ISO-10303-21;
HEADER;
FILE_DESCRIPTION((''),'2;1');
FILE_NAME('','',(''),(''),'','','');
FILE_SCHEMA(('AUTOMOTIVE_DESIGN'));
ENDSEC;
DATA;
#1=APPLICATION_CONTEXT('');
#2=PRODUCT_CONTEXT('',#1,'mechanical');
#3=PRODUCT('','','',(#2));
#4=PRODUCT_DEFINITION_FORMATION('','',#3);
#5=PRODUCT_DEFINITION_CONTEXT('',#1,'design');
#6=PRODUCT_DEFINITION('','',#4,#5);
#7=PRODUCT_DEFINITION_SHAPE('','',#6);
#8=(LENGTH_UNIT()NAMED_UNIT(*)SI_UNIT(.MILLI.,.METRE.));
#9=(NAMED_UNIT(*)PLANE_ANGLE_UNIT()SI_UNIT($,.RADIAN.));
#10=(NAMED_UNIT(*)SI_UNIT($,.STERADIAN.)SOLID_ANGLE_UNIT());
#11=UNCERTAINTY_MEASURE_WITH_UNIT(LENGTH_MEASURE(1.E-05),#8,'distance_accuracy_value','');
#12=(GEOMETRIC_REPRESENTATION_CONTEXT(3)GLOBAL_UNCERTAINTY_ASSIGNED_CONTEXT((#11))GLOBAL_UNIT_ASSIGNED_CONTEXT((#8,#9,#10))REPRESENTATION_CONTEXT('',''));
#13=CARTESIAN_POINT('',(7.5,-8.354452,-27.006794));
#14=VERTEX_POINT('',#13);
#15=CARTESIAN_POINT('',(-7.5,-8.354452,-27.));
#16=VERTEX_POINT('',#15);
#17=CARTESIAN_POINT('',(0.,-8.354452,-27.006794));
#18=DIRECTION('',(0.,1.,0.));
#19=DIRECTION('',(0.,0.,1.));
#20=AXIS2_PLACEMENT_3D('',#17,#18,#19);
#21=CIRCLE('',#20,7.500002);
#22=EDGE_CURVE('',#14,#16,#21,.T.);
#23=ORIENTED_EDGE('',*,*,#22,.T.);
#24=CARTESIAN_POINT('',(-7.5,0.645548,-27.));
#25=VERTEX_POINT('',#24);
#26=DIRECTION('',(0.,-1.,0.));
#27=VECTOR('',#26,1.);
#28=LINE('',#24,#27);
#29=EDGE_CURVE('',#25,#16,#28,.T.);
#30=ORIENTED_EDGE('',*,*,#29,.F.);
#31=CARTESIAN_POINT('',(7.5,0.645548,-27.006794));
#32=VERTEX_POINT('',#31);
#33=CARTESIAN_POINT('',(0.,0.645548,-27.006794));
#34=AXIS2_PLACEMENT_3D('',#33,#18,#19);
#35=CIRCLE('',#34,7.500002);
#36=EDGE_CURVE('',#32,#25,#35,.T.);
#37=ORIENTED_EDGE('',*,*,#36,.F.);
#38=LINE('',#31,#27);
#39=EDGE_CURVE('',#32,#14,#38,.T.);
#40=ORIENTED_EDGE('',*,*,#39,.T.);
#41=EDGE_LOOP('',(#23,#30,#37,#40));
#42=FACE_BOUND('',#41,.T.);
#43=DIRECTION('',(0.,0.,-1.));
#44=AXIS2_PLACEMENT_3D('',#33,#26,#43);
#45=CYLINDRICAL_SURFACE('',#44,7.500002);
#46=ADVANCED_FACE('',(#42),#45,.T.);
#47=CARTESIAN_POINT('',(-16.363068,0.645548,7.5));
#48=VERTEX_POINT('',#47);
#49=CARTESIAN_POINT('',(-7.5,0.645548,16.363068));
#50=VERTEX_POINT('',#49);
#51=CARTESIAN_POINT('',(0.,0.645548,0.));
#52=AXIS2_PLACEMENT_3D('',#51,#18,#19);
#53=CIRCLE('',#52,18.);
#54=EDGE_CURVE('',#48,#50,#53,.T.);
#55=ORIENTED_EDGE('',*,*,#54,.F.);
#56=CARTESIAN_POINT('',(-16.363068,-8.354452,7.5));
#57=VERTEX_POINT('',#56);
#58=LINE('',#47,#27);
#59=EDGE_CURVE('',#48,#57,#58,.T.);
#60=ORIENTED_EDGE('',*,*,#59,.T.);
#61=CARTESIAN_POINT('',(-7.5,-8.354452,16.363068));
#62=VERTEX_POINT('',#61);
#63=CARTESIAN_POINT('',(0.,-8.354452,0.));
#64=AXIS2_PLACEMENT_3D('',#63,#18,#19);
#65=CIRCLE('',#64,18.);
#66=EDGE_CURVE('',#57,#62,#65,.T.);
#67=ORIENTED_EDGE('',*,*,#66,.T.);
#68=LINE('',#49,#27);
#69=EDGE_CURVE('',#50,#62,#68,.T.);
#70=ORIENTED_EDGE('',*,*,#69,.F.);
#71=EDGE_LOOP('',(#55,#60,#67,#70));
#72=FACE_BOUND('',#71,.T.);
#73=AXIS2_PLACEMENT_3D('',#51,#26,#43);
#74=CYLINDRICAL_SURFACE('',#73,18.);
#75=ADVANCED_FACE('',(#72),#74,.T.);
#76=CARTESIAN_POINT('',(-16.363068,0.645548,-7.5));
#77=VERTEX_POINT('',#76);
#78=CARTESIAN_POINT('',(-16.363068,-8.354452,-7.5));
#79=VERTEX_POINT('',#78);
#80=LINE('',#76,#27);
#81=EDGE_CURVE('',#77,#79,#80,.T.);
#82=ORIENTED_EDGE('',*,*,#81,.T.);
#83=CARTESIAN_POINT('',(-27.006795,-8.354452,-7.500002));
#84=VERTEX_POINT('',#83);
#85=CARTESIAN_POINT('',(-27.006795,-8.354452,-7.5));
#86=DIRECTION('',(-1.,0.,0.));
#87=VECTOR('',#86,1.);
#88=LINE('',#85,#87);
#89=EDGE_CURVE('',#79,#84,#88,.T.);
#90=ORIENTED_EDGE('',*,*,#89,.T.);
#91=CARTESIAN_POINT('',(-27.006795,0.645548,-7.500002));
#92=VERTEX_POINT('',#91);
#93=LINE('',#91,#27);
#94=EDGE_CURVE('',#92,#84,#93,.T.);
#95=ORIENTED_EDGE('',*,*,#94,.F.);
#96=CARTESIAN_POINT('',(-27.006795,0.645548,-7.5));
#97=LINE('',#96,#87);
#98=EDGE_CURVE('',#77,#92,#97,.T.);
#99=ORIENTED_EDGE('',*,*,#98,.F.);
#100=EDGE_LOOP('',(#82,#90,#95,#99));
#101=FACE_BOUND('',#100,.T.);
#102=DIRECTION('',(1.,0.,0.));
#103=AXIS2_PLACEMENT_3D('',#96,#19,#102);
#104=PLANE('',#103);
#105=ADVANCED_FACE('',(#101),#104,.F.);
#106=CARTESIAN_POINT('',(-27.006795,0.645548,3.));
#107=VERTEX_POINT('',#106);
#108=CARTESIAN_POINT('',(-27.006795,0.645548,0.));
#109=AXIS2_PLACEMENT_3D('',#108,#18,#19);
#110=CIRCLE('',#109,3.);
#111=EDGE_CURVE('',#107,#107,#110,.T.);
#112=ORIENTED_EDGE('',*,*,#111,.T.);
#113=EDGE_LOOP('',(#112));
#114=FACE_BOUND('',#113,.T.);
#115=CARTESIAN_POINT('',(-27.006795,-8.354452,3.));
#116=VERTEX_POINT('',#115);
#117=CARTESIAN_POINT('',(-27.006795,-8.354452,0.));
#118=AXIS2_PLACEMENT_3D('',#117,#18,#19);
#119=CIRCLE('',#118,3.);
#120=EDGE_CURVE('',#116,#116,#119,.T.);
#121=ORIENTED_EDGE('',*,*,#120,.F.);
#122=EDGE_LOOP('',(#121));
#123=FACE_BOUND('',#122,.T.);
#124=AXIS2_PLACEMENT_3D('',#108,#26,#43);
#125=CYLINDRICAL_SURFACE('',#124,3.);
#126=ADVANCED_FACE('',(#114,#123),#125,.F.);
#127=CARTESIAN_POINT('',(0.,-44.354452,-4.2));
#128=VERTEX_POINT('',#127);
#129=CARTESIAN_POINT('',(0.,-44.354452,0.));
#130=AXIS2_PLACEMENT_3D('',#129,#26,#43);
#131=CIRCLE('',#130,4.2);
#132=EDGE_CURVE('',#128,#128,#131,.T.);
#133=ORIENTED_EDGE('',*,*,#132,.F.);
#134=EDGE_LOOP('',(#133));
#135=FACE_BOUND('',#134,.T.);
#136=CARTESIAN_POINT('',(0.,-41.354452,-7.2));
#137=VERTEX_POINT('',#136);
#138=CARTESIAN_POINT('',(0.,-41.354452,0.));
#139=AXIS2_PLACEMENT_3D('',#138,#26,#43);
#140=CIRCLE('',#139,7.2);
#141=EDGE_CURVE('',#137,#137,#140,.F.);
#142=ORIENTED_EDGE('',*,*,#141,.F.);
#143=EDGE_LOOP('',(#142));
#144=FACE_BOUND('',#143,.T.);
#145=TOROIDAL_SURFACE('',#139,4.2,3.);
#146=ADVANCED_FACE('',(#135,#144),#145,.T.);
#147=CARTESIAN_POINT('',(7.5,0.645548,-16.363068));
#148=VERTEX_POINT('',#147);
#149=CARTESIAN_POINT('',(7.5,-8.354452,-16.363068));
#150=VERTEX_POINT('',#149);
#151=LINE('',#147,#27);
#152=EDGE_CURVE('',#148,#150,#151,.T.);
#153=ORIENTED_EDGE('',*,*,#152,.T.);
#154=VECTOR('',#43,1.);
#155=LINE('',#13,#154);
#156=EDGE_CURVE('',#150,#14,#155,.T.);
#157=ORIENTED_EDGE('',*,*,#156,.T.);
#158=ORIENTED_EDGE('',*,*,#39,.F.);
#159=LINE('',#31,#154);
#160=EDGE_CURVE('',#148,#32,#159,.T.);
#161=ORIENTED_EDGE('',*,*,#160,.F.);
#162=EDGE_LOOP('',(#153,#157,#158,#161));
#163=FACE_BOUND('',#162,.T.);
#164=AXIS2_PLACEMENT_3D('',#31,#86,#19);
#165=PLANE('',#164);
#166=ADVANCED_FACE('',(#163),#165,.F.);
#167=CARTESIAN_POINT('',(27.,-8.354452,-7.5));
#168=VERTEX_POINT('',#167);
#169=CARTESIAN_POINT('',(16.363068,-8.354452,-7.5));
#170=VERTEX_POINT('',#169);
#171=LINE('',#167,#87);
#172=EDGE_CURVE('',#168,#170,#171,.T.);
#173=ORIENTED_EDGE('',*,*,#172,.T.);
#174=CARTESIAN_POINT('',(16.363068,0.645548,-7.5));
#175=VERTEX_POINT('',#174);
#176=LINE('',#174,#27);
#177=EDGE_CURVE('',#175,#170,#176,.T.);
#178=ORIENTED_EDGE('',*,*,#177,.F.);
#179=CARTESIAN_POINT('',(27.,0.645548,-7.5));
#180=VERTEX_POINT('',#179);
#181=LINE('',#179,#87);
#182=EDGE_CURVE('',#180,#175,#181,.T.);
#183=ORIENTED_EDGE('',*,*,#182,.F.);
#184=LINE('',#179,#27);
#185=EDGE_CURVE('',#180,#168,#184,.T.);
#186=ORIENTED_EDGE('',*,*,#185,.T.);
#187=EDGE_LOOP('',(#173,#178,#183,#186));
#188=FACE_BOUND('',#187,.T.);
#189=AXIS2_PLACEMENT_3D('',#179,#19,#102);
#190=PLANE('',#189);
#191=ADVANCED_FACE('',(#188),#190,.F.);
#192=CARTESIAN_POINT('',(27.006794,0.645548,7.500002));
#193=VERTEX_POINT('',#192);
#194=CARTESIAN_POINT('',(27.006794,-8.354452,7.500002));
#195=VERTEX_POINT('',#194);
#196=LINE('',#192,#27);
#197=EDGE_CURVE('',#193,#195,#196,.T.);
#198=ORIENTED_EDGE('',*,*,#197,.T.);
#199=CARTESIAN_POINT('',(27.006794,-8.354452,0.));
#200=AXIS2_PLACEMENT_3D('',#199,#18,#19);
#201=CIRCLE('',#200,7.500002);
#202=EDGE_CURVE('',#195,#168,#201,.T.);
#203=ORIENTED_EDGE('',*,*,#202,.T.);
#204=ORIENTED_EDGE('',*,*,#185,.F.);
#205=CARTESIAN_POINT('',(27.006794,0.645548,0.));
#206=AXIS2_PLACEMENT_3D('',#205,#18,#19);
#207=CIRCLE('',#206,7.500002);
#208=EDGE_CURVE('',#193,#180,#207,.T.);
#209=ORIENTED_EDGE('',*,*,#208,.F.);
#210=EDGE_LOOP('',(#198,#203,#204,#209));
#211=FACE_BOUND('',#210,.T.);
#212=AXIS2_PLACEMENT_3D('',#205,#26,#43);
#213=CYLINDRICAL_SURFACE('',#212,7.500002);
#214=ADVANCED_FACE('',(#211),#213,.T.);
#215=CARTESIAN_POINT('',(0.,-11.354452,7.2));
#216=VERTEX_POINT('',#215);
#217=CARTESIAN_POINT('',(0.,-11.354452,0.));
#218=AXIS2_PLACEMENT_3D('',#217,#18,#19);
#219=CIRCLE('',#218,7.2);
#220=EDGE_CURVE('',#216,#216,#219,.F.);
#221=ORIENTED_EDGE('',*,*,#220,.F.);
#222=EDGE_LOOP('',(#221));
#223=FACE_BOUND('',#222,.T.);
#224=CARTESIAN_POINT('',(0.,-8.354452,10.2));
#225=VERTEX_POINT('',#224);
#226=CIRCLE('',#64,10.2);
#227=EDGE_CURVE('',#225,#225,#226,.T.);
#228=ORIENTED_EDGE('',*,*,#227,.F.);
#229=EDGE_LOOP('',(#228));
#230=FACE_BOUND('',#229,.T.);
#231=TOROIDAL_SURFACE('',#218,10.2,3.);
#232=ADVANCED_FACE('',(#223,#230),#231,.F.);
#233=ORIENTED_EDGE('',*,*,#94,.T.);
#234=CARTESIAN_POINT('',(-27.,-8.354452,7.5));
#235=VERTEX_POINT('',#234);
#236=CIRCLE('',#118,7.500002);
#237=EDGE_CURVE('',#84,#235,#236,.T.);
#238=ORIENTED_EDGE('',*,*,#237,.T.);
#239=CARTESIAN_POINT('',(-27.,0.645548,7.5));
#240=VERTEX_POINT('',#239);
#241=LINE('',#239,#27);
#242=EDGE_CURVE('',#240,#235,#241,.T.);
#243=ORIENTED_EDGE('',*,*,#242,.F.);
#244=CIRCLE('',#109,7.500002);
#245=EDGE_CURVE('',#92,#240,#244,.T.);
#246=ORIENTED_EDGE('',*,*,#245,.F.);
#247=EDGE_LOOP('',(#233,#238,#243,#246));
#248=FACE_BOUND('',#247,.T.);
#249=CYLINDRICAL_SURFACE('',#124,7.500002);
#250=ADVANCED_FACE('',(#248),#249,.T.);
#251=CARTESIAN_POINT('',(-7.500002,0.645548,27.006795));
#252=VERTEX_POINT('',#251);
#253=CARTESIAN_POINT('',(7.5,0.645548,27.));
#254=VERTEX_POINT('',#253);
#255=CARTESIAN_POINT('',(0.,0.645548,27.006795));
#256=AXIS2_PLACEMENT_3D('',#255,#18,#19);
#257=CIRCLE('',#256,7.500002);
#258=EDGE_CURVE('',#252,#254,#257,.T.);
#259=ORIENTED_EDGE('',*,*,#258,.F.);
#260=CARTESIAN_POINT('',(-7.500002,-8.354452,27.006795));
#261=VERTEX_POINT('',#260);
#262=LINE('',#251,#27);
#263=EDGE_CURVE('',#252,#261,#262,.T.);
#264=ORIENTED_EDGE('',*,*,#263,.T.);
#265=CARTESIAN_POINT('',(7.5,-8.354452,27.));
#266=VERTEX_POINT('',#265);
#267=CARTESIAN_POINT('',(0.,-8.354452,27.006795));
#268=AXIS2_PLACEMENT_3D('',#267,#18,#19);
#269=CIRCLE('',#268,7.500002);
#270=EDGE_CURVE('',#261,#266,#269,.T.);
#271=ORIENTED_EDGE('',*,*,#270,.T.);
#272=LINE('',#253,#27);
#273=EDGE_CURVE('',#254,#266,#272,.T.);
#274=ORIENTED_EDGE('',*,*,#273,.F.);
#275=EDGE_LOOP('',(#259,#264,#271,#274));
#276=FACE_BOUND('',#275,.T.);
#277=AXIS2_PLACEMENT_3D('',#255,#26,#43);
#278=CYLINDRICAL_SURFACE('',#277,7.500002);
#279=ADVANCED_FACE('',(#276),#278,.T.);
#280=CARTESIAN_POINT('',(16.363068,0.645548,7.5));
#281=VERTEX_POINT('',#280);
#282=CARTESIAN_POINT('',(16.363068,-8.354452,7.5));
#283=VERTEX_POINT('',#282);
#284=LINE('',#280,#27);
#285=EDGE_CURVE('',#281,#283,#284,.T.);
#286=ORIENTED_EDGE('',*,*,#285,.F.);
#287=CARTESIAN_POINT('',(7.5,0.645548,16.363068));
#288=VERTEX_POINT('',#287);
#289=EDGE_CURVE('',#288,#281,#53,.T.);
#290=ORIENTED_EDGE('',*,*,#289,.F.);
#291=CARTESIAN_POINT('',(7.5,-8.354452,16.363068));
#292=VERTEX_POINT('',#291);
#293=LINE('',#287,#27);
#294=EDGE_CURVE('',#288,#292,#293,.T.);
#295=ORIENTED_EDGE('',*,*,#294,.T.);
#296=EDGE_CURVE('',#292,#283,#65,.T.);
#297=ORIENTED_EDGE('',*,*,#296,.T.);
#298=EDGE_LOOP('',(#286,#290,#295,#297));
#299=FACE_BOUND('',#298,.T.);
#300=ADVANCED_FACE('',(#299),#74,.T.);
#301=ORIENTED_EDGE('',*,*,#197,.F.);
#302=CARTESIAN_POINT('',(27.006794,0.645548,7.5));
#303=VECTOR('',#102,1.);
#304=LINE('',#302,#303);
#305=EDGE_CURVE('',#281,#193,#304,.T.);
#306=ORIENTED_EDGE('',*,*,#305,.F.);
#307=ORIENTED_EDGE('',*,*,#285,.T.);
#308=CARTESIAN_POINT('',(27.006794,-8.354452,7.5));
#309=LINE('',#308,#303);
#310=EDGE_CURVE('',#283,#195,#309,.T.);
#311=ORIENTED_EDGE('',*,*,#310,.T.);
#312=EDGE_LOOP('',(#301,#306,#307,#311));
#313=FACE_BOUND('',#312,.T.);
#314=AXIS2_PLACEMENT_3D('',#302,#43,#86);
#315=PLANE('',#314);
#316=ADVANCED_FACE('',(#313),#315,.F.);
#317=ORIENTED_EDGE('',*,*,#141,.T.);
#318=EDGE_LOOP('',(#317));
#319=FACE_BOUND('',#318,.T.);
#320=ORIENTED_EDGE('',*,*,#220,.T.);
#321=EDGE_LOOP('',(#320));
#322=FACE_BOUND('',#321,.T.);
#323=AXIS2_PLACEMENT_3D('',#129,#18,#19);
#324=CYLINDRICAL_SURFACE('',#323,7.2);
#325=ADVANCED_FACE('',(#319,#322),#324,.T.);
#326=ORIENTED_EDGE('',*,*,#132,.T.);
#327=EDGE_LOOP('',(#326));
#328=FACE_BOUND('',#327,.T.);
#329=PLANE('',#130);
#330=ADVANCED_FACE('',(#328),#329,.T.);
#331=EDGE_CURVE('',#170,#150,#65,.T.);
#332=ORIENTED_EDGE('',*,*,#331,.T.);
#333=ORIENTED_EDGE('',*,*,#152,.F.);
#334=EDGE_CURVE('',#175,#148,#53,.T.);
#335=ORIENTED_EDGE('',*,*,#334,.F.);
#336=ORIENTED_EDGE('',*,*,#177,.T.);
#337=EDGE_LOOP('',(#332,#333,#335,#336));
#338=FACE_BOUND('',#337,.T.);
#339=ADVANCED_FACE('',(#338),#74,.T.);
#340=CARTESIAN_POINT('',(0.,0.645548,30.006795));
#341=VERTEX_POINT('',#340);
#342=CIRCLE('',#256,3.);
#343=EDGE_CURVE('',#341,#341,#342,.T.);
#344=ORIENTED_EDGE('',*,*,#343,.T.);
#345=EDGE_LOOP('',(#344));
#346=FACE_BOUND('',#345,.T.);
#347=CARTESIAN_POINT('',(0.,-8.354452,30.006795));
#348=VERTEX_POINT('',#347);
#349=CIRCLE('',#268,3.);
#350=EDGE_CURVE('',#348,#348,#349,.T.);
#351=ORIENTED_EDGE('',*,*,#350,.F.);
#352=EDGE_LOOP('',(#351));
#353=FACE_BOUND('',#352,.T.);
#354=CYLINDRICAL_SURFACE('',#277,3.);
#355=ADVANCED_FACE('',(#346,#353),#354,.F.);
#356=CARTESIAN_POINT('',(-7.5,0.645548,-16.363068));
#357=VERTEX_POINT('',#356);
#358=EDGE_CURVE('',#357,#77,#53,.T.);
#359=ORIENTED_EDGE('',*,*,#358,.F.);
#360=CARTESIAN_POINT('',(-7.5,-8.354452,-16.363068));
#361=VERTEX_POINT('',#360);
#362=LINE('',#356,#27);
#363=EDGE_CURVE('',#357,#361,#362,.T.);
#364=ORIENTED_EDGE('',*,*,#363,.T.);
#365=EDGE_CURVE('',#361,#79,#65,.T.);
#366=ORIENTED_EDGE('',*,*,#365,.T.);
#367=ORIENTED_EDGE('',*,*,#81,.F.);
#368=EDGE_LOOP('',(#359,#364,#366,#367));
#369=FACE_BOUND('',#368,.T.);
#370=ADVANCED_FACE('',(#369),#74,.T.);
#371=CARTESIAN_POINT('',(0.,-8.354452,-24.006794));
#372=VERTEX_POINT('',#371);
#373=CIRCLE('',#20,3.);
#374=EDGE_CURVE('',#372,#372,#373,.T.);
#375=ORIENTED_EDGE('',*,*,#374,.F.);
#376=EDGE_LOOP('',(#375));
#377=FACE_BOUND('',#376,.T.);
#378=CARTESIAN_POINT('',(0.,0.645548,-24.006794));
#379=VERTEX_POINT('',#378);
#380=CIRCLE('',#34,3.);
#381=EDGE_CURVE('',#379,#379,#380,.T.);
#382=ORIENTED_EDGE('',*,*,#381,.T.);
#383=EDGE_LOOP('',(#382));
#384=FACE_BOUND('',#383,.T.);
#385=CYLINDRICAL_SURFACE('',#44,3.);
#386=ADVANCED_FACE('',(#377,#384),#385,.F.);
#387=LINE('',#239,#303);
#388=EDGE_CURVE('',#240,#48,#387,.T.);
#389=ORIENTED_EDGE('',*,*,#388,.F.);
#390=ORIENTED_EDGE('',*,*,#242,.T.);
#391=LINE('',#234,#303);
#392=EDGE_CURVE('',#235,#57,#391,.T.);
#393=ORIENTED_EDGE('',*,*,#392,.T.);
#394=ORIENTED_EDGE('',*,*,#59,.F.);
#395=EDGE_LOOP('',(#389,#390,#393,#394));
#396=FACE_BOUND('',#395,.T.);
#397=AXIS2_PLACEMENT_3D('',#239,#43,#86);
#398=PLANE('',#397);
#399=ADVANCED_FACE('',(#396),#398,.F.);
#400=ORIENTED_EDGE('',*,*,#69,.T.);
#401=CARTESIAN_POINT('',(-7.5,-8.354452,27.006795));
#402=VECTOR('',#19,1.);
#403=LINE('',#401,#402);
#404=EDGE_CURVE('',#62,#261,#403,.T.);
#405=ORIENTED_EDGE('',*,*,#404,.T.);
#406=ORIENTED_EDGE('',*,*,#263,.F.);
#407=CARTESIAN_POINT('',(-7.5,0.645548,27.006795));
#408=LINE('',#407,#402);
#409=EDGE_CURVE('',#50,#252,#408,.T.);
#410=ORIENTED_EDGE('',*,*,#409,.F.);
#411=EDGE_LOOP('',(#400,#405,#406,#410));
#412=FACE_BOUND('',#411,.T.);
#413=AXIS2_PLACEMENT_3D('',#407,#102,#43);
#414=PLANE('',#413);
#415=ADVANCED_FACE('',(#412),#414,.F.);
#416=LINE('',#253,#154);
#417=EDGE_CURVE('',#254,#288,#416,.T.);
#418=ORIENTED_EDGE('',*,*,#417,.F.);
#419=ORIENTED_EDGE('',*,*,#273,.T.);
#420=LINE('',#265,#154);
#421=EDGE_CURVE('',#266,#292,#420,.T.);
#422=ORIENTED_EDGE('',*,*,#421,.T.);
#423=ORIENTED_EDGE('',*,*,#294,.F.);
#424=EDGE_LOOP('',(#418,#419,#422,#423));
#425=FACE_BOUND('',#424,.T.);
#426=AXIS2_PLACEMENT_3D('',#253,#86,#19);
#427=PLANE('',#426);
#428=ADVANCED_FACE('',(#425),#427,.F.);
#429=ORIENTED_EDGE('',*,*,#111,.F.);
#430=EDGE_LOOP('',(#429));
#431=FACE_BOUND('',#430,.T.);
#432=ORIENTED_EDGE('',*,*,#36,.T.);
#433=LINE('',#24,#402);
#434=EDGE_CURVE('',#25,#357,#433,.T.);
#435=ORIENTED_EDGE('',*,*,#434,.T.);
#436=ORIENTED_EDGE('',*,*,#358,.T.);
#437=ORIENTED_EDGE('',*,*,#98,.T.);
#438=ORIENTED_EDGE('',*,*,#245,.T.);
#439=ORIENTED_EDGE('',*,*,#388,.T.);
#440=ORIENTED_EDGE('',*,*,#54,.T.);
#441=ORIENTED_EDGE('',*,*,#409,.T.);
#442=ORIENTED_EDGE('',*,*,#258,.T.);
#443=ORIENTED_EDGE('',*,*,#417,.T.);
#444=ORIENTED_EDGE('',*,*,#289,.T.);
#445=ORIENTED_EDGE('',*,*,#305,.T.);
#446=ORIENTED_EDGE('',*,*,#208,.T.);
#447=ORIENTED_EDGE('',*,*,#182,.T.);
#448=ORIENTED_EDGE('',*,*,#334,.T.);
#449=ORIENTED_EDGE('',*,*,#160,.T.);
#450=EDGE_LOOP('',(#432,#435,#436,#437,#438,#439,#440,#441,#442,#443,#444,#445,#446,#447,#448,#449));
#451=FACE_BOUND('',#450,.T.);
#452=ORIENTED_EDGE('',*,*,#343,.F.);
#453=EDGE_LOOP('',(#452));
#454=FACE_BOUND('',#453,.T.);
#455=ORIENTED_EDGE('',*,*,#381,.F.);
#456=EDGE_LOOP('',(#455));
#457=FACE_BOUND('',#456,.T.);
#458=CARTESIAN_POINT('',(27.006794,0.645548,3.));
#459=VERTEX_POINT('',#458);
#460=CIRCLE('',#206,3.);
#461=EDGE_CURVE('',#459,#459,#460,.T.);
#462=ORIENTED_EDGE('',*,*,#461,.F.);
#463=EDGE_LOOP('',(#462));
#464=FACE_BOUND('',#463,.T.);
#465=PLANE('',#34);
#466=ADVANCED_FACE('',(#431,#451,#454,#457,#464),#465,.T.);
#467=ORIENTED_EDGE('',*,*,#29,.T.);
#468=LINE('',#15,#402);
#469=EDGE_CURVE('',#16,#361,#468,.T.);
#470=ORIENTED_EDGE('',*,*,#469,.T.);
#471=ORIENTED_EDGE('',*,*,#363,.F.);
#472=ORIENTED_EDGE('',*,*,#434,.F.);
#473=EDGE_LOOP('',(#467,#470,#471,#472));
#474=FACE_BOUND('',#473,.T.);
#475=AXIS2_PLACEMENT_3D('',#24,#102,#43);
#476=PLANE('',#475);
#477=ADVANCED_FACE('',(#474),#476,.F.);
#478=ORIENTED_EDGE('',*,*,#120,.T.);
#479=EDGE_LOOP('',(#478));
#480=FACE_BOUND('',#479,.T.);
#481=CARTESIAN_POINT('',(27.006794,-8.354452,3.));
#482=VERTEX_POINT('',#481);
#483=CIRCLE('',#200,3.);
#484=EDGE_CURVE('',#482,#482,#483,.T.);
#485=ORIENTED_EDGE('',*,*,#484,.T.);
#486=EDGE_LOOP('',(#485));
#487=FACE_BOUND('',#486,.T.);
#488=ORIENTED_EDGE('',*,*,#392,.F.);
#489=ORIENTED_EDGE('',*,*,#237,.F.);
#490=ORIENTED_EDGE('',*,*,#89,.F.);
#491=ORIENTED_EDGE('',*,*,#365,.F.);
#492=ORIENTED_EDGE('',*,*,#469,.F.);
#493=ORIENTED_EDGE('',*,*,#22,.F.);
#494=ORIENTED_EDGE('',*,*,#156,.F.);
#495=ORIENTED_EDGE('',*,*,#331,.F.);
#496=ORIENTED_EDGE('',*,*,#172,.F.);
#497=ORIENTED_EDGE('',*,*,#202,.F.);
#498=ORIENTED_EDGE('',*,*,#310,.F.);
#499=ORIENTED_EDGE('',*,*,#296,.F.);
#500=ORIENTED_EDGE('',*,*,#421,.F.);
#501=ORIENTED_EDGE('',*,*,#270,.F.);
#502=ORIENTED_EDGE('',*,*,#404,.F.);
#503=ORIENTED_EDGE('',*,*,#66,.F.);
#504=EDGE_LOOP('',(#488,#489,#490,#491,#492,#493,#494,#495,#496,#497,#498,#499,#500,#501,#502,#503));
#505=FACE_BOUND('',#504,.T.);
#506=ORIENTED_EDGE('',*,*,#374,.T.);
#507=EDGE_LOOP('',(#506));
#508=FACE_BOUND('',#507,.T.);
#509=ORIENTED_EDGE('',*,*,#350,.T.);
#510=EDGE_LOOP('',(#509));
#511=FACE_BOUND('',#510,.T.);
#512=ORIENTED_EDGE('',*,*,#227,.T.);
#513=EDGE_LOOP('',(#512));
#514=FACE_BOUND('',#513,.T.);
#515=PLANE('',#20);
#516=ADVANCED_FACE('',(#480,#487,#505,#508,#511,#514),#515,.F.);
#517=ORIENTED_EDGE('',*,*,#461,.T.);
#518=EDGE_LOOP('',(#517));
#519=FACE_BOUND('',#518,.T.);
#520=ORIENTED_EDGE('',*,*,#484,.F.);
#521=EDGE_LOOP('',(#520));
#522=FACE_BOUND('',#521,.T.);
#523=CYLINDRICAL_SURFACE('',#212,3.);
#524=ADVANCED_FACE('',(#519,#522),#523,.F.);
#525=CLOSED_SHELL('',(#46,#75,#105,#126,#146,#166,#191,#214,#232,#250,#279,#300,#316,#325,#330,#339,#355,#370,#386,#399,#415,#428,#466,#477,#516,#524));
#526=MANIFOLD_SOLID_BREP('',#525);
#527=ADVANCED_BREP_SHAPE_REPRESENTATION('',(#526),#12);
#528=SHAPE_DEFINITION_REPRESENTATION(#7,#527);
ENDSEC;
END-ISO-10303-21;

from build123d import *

# Parameters (mm, degrees)
SKETCH1_R           = 5
BOSS_EXTRUDE1_DEPTH = 7.5
SKETCH2_R           = 12
BOSS_EXTRUDE2_DEPTH = 60
FILLET1_R           = 5
SCALE1_SCALE        = 0.6


with BuildPart() as part:
    # Sketch1 → Boss-Extrude1 (new body, symmetric)
    with BuildSketch(Plane(origin=(0, 0, 0), x_dir=(1, 0, 0), z_dir=(0, 1, 0))):
        with BuildLine():
            Line((12.5, 45.011324124), (12.5, 27.271780287))
            ThreePointArc((12.5, 27.271780287), (21.213203436, 21.213203436), (27.271780287, 12.5))
            Line((27.271780287, 12.5), (45, 12.5))
            ThreePointArc((45, 12.5), (57.511322842, 0.00566206), (45.011324124, -12.5))
            Line((45.011324124, -12.5), (27.271780287, -12.5))
            ThreePointArc((27.271780287, -12.5), (21.213203436, -21.213203436), (12.5, -27.271780287))
            Line((12.5, -27.271780287), (12.5, -45))
            ThreePointArc((12.5, -45), (0.00566206, -57.511322842), (-12.5, -45.011324124))
            Line((-12.5, -45.011324124), (-12.5, -27.271780287))
            ThreePointArc((-12.5, -27.271780287), (-21.213203436, -21.213203436), (-27.271780287, -12.5))
            Line((-27.271780287, -12.5), (-45, -12.5))
            ThreePointArc((-45, -12.5), (-57.511322842, -0.00566206), (-45.011324124, 12.5))
            Line((-45.011324124, 12.5), (-27.271780287, 12.5))
            ThreePointArc((-27.271780287, 12.5), (-21.213203436, 21.213203436), (-12.5, 27.271780287))
            Line((-12.5, 27.271780287), (-12.5, 45))
            ThreePointArc((-12.5, 45), (-0.00566206, 57.511322842), (12.5, 45.011324124))
        make_face()
        with Locations((0, 45.011324124)):
            Circle(SKETCH1_R, mode=Mode.SUBTRACT)
        with Locations((45.011324124, 0)):
            Circle(SKETCH1_R, mode=Mode.SUBTRACT)
        with Locations((0, -45.011324124)):
            Circle(SKETCH1_R, mode=Mode.SUBTRACT)
        with Locations((-45.011324124, 0)):
            Circle(SKETCH1_R, mode=Mode.SUBTRACT)
    extrude(amount=BOSS_EXTRUDE1_DEPTH, both=True)

    # Sketch2 → Boss-Extrude2 (add)
    with BuildSketch(Plane.XZ.offset(7.5)):
        Circle(SKETCH2_R)
    extrude(amount=BOSS_EXTRUDE2_DEPTH)

    # Fillet1
    fillet1_edges = [part.edges().sort_by_distance(p)[0] for p in [
        (-12, -7.5, 0),
        (-12, -67.5, 0),
    ]]
    fillet(fillet1_edges, radius=FILLET1_R)


with BuildPart() as part_1:
    # Scale1: scaled about (0, -9.636129327, 0)
    add(part.part.scale(SCALE1_SCALE).moved(Location((0, -3.854451731, 0))))


solid = part_1.part
